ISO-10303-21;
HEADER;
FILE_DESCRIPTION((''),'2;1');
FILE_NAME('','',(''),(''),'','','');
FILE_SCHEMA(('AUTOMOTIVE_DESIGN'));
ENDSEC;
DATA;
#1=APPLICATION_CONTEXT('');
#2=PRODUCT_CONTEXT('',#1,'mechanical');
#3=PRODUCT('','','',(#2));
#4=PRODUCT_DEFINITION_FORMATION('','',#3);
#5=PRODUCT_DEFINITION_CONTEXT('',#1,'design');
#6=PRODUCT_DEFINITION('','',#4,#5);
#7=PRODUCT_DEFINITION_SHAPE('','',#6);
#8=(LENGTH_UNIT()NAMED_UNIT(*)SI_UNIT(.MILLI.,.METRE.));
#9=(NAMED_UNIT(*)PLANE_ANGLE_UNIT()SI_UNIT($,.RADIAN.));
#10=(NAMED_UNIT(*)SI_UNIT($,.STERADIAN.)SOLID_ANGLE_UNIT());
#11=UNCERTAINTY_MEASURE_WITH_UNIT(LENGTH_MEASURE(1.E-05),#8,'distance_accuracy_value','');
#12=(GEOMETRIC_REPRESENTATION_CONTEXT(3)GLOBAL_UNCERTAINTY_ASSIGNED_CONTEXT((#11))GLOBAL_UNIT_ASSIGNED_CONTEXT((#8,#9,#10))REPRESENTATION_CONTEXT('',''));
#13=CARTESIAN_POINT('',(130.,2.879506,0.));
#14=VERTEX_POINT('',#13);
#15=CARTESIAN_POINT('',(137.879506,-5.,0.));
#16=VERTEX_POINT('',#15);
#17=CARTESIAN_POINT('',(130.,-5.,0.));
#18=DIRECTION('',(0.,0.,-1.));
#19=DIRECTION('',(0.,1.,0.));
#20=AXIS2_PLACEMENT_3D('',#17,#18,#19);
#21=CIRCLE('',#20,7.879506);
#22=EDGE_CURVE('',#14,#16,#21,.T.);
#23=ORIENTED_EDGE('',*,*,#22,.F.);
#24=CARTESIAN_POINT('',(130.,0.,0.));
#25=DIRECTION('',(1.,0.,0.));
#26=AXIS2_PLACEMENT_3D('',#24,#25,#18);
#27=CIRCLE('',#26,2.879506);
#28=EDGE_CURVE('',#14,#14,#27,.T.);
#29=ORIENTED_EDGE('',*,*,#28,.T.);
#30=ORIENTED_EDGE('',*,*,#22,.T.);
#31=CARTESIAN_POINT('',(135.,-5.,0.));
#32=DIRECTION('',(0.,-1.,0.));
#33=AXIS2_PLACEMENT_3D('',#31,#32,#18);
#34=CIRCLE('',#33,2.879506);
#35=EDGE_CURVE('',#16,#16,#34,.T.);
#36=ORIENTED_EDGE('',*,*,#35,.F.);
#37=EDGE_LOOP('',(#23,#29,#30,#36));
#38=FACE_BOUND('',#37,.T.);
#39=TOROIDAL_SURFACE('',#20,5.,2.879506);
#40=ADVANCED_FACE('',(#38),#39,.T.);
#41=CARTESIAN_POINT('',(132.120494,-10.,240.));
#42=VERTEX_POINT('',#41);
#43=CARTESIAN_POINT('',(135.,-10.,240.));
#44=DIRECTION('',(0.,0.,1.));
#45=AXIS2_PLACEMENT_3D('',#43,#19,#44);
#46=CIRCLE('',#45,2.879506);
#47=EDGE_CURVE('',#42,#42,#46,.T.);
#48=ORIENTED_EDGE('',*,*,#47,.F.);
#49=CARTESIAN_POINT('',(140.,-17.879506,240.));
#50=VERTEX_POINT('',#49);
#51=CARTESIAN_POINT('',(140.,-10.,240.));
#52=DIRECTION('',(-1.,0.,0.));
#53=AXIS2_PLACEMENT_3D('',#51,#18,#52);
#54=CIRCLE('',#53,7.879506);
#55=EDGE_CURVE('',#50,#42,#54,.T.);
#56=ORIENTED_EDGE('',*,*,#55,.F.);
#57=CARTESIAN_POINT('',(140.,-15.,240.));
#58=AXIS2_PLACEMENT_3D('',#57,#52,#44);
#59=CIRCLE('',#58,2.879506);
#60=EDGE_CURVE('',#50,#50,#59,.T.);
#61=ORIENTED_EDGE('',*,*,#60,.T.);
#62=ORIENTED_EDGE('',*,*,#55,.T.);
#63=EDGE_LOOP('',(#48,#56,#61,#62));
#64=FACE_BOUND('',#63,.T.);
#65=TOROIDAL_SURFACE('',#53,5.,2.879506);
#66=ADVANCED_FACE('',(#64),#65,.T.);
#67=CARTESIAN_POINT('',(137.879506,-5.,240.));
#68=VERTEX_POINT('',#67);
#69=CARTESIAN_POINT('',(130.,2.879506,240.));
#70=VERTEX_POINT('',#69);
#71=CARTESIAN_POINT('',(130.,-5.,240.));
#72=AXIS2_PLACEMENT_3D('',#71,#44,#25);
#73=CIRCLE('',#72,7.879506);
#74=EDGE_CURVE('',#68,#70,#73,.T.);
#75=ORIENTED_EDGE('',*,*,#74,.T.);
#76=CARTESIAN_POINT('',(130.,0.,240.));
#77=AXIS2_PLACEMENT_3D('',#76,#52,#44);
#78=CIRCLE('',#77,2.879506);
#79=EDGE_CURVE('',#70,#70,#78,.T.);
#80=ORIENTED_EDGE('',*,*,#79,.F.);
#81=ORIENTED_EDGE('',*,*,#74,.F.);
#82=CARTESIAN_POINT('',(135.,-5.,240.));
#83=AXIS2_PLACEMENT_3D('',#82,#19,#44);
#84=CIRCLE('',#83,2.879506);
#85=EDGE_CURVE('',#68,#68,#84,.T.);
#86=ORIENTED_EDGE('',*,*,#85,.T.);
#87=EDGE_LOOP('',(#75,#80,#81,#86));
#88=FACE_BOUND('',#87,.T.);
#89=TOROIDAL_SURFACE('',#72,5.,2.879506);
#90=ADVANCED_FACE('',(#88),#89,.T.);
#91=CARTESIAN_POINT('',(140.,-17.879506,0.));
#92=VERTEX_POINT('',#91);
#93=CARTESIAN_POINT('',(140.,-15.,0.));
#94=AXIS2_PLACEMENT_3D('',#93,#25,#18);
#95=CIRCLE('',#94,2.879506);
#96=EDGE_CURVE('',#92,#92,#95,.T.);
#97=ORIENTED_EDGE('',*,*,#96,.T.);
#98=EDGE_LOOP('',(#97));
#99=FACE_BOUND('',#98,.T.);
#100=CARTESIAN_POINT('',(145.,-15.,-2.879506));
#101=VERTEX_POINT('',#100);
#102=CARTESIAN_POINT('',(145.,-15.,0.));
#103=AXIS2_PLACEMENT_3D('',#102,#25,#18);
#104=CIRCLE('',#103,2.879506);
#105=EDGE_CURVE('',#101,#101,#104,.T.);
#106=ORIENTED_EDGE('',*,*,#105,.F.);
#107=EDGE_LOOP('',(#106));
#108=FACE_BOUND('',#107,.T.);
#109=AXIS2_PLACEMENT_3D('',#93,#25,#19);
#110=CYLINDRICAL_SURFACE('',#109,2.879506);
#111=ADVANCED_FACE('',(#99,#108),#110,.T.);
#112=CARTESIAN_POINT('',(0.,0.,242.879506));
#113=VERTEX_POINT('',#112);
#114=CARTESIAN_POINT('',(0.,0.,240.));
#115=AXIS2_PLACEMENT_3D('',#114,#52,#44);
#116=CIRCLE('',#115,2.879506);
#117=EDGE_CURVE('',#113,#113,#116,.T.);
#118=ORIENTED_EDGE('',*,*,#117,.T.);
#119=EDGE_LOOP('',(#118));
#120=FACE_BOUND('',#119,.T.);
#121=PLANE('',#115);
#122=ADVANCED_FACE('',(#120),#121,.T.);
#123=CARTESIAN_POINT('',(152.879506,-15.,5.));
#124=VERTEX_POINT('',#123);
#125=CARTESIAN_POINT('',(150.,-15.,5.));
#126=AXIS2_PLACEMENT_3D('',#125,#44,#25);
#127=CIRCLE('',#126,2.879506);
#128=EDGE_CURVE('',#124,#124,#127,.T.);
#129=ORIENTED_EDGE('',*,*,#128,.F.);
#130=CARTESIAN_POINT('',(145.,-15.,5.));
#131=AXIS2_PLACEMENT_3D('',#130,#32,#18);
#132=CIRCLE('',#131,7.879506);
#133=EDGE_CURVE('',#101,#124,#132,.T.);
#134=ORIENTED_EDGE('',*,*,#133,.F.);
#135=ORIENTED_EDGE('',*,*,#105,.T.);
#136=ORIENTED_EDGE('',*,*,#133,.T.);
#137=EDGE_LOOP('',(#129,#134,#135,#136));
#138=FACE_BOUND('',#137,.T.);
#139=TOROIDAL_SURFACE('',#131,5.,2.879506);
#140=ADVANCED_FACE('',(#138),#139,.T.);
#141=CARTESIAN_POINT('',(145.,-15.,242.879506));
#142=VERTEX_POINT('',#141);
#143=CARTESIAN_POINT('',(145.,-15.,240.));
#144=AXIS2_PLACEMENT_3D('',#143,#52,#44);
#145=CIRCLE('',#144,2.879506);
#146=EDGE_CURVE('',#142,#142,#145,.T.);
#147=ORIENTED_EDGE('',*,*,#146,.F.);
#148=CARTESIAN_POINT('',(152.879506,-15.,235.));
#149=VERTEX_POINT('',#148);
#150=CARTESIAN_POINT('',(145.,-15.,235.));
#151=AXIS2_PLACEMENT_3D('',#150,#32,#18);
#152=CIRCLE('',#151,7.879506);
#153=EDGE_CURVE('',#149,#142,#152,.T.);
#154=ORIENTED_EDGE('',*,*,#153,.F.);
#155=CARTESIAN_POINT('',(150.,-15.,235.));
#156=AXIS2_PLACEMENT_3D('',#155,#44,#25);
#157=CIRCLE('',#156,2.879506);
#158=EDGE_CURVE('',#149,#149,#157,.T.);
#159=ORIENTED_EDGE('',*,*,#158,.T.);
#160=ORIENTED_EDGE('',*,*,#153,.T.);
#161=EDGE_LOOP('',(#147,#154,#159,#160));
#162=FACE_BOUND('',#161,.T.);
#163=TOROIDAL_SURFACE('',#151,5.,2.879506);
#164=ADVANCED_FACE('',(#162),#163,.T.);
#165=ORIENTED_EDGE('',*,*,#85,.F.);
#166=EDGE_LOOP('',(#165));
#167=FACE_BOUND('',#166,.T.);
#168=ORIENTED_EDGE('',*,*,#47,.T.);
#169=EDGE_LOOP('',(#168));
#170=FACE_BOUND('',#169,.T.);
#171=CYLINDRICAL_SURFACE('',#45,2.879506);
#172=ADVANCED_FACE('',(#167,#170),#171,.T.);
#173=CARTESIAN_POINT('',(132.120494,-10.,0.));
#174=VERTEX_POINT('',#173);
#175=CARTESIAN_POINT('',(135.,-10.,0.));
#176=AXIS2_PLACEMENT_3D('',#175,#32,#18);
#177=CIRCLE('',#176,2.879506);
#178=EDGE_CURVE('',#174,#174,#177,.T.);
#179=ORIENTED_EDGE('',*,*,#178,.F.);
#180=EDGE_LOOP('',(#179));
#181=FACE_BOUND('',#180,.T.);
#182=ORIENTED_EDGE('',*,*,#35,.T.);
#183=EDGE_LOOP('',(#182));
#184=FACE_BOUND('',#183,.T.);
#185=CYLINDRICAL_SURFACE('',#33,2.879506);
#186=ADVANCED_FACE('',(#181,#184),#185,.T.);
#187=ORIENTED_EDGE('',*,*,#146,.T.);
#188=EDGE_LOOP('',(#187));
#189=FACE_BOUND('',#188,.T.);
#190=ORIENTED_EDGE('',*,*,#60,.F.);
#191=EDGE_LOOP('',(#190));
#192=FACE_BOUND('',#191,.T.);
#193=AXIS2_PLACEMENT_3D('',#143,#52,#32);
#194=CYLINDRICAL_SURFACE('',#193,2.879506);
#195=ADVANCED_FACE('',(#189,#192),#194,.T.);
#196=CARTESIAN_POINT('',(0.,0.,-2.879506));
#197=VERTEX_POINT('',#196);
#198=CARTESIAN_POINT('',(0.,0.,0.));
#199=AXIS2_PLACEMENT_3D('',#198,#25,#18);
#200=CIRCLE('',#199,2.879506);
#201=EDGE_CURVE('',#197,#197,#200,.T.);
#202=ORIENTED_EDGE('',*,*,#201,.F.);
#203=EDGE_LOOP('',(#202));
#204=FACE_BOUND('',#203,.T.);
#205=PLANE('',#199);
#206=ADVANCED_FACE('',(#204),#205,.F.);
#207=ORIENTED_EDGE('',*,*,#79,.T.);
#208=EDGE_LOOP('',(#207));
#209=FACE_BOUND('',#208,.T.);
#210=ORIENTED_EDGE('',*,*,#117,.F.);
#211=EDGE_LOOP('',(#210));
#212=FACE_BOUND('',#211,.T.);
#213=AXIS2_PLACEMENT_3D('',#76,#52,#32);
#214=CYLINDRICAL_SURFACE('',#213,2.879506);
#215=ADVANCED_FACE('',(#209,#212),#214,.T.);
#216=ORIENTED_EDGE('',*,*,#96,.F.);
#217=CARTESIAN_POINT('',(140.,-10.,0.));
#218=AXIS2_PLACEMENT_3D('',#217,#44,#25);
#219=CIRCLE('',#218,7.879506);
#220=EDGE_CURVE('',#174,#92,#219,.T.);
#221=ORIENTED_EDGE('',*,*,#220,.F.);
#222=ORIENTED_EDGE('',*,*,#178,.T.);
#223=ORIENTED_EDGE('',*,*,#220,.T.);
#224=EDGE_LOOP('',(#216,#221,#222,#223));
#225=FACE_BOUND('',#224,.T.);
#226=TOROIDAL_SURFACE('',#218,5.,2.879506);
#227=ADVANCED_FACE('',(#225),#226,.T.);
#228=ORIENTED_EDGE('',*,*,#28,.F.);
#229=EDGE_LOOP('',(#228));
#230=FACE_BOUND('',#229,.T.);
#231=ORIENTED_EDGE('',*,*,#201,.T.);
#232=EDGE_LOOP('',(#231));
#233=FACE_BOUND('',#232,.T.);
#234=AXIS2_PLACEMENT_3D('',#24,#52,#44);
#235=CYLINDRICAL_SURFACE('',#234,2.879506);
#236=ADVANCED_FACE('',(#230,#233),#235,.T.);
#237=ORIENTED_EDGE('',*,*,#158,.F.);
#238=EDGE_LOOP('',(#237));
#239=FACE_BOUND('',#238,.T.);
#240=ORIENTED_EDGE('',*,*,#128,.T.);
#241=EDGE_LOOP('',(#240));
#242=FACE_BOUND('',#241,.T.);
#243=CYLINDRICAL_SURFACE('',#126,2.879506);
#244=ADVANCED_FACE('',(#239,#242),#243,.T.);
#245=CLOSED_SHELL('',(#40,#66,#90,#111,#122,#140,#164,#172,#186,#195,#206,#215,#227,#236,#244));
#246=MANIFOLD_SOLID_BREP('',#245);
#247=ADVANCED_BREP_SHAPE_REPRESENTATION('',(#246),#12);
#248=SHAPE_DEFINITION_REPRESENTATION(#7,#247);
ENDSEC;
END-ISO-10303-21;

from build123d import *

# Parameters (mm, degrees)
SKETCH1_R = 2.87950634


with BuildPart() as part:
    # Sweep1: sweep along a curve in space
    with BuildLine() as sweep1_path:
        Line((0, 0, 0), (130, 0, 0))
        ThreePointArc((130, 0, 0), (133.535533906, -1.464466094, 0), (135, -5, 0))
        Line((135, -5, 0), (135, -10, 0))
        ThreePointArc((135, -10, 0), (136.464466094, -13.535533906, 0), (140, -15, 0))
        Line((140, -15, 0), (145, -15, 0))
        ThreePointArc((145, -15, 0), (148.535533906, -15, 1.464466094), (150, -15, 5))
        Line((150, -15, 5), (150, -15, 235))
        ThreePointArc((150, -15, 235), (148.535533906, -15, 238.535533906), (145, -15, 240))
        Line((145, -15, 240), (140, -15, 240))
        ThreePointArc((140, -15, 240), (136.464466094, -13.535533906, 240), (135, -10, 240))
        Line((135, -10, 240), (135, -5, 240))
        ThreePointArc((135, -5, 240), (133.535533906, -1.464466094, 240), (130, 0, 240))
        Line((130, 0, 240), (0, 0, 240))
    # Sketch1 → Sweep1 (sweep)
    with BuildSketch(Plane(origin=(0, 0, 0), x_dir=(0, 0, -1), z_dir=(1, 0, 0))):
        Circle(SKETCH1_R)
    sweep(path=sweep1_path.line)


solid = part.part
